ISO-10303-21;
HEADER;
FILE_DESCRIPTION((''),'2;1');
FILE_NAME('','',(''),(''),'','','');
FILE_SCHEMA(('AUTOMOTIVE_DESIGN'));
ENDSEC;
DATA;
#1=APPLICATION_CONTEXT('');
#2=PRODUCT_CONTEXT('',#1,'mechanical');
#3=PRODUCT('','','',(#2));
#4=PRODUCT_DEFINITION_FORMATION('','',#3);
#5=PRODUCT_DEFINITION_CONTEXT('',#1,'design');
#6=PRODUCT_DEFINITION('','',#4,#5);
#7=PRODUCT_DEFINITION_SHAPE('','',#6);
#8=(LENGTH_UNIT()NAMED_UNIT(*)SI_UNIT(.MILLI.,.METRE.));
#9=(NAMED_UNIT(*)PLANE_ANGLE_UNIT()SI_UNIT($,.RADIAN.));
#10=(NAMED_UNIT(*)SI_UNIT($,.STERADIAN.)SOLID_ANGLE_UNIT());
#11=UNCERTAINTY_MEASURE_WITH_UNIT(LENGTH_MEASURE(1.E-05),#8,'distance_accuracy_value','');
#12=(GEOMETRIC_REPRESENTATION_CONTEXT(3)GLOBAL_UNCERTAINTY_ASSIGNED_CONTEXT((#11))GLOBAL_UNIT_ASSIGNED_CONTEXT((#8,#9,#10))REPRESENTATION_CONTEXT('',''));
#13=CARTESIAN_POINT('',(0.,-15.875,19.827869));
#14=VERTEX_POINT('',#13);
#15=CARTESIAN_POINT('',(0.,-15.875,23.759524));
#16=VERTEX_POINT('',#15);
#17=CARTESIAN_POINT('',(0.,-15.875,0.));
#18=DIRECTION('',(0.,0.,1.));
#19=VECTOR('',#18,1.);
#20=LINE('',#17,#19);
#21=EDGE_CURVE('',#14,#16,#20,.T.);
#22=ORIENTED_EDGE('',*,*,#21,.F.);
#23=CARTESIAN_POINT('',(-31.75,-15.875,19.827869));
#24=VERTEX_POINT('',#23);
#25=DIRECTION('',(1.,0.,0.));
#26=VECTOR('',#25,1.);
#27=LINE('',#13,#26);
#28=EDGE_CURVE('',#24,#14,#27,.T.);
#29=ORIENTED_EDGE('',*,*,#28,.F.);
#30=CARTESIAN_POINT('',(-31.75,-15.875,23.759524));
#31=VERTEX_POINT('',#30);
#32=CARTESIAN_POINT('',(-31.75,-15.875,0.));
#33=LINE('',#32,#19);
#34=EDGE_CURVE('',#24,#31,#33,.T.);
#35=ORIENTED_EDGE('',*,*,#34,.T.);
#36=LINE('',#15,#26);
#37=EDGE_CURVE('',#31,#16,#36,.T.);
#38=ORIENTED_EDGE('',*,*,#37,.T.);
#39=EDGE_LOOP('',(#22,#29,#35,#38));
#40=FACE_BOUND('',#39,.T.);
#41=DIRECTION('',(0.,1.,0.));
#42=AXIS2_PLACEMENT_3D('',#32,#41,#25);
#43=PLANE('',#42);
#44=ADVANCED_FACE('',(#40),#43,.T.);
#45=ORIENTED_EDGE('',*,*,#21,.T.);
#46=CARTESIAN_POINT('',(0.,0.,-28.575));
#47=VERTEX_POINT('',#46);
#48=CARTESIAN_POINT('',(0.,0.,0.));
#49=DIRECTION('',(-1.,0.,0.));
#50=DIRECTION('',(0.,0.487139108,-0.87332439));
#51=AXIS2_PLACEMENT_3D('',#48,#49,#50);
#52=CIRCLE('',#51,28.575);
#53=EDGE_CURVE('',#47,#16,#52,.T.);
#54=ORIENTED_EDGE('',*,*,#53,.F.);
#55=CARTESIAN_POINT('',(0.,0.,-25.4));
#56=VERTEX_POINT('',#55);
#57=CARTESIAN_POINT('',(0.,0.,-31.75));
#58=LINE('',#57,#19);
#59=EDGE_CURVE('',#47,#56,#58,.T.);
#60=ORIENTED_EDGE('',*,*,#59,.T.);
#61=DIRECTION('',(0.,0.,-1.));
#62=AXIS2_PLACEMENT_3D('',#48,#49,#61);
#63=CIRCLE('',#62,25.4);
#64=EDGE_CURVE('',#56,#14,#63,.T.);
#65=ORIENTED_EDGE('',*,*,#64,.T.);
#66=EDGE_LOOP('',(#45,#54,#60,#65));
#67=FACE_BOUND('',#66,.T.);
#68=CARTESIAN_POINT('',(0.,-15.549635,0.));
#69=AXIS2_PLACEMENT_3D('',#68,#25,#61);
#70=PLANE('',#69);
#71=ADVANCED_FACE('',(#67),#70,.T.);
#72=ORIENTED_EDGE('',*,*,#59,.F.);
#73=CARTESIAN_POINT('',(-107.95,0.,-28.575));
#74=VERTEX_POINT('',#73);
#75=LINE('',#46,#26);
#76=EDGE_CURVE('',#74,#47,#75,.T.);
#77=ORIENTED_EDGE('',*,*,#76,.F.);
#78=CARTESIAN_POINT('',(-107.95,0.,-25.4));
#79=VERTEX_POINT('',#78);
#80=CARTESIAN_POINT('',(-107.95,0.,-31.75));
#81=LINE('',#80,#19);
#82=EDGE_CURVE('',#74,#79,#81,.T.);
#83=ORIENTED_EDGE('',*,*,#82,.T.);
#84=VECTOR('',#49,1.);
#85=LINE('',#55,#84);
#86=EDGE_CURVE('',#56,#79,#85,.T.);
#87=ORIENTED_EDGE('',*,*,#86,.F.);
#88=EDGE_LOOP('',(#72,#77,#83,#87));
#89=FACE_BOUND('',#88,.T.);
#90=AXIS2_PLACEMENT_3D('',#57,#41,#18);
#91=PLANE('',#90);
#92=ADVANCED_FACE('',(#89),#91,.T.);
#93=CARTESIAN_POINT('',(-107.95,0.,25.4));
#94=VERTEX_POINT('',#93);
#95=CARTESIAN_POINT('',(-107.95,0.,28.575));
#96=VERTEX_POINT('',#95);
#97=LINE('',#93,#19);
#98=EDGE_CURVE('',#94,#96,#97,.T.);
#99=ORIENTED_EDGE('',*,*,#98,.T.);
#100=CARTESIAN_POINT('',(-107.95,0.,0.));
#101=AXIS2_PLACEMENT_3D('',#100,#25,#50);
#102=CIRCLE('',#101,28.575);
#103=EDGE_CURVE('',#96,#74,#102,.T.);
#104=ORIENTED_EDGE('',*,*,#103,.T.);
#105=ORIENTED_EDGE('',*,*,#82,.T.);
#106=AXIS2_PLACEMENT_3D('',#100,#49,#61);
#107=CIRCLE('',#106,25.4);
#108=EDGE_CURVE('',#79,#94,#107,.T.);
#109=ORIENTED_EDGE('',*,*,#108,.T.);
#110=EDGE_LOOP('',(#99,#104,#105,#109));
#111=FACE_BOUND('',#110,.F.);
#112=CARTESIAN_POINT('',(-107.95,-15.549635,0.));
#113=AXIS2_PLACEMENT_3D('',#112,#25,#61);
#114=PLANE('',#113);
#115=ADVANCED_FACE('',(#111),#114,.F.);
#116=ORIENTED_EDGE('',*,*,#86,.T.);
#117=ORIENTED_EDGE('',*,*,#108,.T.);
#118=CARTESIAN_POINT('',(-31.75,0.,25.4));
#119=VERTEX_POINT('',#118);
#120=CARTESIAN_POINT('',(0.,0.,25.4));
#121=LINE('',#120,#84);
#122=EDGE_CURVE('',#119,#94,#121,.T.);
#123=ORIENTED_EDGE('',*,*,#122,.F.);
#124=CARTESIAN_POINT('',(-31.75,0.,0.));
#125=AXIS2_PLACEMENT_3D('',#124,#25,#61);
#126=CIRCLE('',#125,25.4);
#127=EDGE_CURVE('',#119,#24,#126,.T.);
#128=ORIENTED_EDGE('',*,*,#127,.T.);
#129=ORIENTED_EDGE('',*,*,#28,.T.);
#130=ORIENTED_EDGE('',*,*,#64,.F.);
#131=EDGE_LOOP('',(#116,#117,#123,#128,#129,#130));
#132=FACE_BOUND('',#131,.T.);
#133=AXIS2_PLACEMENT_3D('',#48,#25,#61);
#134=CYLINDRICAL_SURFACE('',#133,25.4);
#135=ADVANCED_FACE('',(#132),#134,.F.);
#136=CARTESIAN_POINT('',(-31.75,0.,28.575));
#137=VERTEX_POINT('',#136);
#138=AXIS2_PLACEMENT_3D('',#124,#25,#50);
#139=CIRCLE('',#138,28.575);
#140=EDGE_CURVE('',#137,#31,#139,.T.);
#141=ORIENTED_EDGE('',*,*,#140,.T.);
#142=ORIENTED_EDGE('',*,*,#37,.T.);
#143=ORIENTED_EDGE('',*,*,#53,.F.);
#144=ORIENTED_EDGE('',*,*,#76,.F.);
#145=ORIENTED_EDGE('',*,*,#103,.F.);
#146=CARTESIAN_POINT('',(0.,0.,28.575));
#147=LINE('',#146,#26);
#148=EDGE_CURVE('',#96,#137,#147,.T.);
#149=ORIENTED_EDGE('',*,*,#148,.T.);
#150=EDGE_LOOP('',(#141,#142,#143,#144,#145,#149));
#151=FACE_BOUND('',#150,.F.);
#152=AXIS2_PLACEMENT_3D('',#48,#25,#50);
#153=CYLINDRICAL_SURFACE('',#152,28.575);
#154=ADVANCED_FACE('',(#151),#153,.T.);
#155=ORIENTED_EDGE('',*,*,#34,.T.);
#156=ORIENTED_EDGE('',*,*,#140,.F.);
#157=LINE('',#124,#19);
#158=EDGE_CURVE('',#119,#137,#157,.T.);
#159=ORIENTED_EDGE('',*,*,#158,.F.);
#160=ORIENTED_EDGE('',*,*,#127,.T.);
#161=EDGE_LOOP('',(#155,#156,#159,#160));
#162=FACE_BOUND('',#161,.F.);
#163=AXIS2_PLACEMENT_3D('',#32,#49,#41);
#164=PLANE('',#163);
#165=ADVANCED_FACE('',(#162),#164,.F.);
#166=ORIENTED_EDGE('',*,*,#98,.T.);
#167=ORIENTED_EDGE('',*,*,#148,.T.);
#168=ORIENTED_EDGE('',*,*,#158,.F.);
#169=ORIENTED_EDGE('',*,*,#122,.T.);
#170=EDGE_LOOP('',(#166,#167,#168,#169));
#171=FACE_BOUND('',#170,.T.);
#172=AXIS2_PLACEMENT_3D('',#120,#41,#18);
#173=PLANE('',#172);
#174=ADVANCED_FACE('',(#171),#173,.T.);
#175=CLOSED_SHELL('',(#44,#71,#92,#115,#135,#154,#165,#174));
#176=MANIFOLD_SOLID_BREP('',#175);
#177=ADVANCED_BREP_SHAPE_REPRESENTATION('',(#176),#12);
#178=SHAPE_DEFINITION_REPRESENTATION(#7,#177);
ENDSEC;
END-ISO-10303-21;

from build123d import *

# Parameters (mm, degrees)
BOSS_EXTRUDE1_DEPTH = 107.95
SKETCH2_W           = 31.75
SKETCH2_H           = 15.875
CUT_EXTRUDE1_DEPTH  = 127
SKETCH3_OUTSIDE_W   = 91.34
SKETCH3_OUTSIDE_H   = 59.59
SKETCH3_OUTSIDE_R   = 28.575
CUT_EXTRUDE2_DEPTH  = 108.95


with BuildPart() as part:
    # Sketch1 → Boss-Extrude1 (new body)
    with BuildSketch(Plane(origin=(0, 0, 0), x_dir=(0, 0, -1), z_dir=(1, 0, 0))):
        with BuildLine():
            Line((-25.4, 0), (-31.75, 0))
            ThreePointArc((-31.75, 0), (0, -31.75), (31.75, 0))
            Line((31.75, 0), (25.4, 0))
            ThreePointArc((25.4, 0), (0, -25.4), (-25.4, 0))
        make_face()
    extrude(amount=-BOSS_EXTRUDE1_DEPTH)

    # Sketch2 → Cut-Extrude1 (cut)
    with BuildSketch(Plane.XY):
        with Locations((-15.875, -7.9375)):
            Rectangle(SKETCH2_W, SKETCH2_H)
    extrude(amount=CUT_EXTRUDE1_DEPTH, mode=Mode.SUBTRACT)

    # Sketch3 outside → Cut-Extrude2 (cut, through all)
    with BuildSketch(Plane(origin=(0, 0, 0), x_dir=(0, 0, -1), z_dir=(1, 0, 0))):
        with Locations((0, -15.875)):
            Rectangle(SKETCH3_OUTSIDE_W, SKETCH3_OUTSIDE_H)
        Circle(SKETCH3_OUTSIDE_R, mode=Mode.SUBTRACT)
    extrude(amount=-CUT_EXTRUDE2_DEPTH, mode=Mode.SUBTRACT)


solid = part.part
